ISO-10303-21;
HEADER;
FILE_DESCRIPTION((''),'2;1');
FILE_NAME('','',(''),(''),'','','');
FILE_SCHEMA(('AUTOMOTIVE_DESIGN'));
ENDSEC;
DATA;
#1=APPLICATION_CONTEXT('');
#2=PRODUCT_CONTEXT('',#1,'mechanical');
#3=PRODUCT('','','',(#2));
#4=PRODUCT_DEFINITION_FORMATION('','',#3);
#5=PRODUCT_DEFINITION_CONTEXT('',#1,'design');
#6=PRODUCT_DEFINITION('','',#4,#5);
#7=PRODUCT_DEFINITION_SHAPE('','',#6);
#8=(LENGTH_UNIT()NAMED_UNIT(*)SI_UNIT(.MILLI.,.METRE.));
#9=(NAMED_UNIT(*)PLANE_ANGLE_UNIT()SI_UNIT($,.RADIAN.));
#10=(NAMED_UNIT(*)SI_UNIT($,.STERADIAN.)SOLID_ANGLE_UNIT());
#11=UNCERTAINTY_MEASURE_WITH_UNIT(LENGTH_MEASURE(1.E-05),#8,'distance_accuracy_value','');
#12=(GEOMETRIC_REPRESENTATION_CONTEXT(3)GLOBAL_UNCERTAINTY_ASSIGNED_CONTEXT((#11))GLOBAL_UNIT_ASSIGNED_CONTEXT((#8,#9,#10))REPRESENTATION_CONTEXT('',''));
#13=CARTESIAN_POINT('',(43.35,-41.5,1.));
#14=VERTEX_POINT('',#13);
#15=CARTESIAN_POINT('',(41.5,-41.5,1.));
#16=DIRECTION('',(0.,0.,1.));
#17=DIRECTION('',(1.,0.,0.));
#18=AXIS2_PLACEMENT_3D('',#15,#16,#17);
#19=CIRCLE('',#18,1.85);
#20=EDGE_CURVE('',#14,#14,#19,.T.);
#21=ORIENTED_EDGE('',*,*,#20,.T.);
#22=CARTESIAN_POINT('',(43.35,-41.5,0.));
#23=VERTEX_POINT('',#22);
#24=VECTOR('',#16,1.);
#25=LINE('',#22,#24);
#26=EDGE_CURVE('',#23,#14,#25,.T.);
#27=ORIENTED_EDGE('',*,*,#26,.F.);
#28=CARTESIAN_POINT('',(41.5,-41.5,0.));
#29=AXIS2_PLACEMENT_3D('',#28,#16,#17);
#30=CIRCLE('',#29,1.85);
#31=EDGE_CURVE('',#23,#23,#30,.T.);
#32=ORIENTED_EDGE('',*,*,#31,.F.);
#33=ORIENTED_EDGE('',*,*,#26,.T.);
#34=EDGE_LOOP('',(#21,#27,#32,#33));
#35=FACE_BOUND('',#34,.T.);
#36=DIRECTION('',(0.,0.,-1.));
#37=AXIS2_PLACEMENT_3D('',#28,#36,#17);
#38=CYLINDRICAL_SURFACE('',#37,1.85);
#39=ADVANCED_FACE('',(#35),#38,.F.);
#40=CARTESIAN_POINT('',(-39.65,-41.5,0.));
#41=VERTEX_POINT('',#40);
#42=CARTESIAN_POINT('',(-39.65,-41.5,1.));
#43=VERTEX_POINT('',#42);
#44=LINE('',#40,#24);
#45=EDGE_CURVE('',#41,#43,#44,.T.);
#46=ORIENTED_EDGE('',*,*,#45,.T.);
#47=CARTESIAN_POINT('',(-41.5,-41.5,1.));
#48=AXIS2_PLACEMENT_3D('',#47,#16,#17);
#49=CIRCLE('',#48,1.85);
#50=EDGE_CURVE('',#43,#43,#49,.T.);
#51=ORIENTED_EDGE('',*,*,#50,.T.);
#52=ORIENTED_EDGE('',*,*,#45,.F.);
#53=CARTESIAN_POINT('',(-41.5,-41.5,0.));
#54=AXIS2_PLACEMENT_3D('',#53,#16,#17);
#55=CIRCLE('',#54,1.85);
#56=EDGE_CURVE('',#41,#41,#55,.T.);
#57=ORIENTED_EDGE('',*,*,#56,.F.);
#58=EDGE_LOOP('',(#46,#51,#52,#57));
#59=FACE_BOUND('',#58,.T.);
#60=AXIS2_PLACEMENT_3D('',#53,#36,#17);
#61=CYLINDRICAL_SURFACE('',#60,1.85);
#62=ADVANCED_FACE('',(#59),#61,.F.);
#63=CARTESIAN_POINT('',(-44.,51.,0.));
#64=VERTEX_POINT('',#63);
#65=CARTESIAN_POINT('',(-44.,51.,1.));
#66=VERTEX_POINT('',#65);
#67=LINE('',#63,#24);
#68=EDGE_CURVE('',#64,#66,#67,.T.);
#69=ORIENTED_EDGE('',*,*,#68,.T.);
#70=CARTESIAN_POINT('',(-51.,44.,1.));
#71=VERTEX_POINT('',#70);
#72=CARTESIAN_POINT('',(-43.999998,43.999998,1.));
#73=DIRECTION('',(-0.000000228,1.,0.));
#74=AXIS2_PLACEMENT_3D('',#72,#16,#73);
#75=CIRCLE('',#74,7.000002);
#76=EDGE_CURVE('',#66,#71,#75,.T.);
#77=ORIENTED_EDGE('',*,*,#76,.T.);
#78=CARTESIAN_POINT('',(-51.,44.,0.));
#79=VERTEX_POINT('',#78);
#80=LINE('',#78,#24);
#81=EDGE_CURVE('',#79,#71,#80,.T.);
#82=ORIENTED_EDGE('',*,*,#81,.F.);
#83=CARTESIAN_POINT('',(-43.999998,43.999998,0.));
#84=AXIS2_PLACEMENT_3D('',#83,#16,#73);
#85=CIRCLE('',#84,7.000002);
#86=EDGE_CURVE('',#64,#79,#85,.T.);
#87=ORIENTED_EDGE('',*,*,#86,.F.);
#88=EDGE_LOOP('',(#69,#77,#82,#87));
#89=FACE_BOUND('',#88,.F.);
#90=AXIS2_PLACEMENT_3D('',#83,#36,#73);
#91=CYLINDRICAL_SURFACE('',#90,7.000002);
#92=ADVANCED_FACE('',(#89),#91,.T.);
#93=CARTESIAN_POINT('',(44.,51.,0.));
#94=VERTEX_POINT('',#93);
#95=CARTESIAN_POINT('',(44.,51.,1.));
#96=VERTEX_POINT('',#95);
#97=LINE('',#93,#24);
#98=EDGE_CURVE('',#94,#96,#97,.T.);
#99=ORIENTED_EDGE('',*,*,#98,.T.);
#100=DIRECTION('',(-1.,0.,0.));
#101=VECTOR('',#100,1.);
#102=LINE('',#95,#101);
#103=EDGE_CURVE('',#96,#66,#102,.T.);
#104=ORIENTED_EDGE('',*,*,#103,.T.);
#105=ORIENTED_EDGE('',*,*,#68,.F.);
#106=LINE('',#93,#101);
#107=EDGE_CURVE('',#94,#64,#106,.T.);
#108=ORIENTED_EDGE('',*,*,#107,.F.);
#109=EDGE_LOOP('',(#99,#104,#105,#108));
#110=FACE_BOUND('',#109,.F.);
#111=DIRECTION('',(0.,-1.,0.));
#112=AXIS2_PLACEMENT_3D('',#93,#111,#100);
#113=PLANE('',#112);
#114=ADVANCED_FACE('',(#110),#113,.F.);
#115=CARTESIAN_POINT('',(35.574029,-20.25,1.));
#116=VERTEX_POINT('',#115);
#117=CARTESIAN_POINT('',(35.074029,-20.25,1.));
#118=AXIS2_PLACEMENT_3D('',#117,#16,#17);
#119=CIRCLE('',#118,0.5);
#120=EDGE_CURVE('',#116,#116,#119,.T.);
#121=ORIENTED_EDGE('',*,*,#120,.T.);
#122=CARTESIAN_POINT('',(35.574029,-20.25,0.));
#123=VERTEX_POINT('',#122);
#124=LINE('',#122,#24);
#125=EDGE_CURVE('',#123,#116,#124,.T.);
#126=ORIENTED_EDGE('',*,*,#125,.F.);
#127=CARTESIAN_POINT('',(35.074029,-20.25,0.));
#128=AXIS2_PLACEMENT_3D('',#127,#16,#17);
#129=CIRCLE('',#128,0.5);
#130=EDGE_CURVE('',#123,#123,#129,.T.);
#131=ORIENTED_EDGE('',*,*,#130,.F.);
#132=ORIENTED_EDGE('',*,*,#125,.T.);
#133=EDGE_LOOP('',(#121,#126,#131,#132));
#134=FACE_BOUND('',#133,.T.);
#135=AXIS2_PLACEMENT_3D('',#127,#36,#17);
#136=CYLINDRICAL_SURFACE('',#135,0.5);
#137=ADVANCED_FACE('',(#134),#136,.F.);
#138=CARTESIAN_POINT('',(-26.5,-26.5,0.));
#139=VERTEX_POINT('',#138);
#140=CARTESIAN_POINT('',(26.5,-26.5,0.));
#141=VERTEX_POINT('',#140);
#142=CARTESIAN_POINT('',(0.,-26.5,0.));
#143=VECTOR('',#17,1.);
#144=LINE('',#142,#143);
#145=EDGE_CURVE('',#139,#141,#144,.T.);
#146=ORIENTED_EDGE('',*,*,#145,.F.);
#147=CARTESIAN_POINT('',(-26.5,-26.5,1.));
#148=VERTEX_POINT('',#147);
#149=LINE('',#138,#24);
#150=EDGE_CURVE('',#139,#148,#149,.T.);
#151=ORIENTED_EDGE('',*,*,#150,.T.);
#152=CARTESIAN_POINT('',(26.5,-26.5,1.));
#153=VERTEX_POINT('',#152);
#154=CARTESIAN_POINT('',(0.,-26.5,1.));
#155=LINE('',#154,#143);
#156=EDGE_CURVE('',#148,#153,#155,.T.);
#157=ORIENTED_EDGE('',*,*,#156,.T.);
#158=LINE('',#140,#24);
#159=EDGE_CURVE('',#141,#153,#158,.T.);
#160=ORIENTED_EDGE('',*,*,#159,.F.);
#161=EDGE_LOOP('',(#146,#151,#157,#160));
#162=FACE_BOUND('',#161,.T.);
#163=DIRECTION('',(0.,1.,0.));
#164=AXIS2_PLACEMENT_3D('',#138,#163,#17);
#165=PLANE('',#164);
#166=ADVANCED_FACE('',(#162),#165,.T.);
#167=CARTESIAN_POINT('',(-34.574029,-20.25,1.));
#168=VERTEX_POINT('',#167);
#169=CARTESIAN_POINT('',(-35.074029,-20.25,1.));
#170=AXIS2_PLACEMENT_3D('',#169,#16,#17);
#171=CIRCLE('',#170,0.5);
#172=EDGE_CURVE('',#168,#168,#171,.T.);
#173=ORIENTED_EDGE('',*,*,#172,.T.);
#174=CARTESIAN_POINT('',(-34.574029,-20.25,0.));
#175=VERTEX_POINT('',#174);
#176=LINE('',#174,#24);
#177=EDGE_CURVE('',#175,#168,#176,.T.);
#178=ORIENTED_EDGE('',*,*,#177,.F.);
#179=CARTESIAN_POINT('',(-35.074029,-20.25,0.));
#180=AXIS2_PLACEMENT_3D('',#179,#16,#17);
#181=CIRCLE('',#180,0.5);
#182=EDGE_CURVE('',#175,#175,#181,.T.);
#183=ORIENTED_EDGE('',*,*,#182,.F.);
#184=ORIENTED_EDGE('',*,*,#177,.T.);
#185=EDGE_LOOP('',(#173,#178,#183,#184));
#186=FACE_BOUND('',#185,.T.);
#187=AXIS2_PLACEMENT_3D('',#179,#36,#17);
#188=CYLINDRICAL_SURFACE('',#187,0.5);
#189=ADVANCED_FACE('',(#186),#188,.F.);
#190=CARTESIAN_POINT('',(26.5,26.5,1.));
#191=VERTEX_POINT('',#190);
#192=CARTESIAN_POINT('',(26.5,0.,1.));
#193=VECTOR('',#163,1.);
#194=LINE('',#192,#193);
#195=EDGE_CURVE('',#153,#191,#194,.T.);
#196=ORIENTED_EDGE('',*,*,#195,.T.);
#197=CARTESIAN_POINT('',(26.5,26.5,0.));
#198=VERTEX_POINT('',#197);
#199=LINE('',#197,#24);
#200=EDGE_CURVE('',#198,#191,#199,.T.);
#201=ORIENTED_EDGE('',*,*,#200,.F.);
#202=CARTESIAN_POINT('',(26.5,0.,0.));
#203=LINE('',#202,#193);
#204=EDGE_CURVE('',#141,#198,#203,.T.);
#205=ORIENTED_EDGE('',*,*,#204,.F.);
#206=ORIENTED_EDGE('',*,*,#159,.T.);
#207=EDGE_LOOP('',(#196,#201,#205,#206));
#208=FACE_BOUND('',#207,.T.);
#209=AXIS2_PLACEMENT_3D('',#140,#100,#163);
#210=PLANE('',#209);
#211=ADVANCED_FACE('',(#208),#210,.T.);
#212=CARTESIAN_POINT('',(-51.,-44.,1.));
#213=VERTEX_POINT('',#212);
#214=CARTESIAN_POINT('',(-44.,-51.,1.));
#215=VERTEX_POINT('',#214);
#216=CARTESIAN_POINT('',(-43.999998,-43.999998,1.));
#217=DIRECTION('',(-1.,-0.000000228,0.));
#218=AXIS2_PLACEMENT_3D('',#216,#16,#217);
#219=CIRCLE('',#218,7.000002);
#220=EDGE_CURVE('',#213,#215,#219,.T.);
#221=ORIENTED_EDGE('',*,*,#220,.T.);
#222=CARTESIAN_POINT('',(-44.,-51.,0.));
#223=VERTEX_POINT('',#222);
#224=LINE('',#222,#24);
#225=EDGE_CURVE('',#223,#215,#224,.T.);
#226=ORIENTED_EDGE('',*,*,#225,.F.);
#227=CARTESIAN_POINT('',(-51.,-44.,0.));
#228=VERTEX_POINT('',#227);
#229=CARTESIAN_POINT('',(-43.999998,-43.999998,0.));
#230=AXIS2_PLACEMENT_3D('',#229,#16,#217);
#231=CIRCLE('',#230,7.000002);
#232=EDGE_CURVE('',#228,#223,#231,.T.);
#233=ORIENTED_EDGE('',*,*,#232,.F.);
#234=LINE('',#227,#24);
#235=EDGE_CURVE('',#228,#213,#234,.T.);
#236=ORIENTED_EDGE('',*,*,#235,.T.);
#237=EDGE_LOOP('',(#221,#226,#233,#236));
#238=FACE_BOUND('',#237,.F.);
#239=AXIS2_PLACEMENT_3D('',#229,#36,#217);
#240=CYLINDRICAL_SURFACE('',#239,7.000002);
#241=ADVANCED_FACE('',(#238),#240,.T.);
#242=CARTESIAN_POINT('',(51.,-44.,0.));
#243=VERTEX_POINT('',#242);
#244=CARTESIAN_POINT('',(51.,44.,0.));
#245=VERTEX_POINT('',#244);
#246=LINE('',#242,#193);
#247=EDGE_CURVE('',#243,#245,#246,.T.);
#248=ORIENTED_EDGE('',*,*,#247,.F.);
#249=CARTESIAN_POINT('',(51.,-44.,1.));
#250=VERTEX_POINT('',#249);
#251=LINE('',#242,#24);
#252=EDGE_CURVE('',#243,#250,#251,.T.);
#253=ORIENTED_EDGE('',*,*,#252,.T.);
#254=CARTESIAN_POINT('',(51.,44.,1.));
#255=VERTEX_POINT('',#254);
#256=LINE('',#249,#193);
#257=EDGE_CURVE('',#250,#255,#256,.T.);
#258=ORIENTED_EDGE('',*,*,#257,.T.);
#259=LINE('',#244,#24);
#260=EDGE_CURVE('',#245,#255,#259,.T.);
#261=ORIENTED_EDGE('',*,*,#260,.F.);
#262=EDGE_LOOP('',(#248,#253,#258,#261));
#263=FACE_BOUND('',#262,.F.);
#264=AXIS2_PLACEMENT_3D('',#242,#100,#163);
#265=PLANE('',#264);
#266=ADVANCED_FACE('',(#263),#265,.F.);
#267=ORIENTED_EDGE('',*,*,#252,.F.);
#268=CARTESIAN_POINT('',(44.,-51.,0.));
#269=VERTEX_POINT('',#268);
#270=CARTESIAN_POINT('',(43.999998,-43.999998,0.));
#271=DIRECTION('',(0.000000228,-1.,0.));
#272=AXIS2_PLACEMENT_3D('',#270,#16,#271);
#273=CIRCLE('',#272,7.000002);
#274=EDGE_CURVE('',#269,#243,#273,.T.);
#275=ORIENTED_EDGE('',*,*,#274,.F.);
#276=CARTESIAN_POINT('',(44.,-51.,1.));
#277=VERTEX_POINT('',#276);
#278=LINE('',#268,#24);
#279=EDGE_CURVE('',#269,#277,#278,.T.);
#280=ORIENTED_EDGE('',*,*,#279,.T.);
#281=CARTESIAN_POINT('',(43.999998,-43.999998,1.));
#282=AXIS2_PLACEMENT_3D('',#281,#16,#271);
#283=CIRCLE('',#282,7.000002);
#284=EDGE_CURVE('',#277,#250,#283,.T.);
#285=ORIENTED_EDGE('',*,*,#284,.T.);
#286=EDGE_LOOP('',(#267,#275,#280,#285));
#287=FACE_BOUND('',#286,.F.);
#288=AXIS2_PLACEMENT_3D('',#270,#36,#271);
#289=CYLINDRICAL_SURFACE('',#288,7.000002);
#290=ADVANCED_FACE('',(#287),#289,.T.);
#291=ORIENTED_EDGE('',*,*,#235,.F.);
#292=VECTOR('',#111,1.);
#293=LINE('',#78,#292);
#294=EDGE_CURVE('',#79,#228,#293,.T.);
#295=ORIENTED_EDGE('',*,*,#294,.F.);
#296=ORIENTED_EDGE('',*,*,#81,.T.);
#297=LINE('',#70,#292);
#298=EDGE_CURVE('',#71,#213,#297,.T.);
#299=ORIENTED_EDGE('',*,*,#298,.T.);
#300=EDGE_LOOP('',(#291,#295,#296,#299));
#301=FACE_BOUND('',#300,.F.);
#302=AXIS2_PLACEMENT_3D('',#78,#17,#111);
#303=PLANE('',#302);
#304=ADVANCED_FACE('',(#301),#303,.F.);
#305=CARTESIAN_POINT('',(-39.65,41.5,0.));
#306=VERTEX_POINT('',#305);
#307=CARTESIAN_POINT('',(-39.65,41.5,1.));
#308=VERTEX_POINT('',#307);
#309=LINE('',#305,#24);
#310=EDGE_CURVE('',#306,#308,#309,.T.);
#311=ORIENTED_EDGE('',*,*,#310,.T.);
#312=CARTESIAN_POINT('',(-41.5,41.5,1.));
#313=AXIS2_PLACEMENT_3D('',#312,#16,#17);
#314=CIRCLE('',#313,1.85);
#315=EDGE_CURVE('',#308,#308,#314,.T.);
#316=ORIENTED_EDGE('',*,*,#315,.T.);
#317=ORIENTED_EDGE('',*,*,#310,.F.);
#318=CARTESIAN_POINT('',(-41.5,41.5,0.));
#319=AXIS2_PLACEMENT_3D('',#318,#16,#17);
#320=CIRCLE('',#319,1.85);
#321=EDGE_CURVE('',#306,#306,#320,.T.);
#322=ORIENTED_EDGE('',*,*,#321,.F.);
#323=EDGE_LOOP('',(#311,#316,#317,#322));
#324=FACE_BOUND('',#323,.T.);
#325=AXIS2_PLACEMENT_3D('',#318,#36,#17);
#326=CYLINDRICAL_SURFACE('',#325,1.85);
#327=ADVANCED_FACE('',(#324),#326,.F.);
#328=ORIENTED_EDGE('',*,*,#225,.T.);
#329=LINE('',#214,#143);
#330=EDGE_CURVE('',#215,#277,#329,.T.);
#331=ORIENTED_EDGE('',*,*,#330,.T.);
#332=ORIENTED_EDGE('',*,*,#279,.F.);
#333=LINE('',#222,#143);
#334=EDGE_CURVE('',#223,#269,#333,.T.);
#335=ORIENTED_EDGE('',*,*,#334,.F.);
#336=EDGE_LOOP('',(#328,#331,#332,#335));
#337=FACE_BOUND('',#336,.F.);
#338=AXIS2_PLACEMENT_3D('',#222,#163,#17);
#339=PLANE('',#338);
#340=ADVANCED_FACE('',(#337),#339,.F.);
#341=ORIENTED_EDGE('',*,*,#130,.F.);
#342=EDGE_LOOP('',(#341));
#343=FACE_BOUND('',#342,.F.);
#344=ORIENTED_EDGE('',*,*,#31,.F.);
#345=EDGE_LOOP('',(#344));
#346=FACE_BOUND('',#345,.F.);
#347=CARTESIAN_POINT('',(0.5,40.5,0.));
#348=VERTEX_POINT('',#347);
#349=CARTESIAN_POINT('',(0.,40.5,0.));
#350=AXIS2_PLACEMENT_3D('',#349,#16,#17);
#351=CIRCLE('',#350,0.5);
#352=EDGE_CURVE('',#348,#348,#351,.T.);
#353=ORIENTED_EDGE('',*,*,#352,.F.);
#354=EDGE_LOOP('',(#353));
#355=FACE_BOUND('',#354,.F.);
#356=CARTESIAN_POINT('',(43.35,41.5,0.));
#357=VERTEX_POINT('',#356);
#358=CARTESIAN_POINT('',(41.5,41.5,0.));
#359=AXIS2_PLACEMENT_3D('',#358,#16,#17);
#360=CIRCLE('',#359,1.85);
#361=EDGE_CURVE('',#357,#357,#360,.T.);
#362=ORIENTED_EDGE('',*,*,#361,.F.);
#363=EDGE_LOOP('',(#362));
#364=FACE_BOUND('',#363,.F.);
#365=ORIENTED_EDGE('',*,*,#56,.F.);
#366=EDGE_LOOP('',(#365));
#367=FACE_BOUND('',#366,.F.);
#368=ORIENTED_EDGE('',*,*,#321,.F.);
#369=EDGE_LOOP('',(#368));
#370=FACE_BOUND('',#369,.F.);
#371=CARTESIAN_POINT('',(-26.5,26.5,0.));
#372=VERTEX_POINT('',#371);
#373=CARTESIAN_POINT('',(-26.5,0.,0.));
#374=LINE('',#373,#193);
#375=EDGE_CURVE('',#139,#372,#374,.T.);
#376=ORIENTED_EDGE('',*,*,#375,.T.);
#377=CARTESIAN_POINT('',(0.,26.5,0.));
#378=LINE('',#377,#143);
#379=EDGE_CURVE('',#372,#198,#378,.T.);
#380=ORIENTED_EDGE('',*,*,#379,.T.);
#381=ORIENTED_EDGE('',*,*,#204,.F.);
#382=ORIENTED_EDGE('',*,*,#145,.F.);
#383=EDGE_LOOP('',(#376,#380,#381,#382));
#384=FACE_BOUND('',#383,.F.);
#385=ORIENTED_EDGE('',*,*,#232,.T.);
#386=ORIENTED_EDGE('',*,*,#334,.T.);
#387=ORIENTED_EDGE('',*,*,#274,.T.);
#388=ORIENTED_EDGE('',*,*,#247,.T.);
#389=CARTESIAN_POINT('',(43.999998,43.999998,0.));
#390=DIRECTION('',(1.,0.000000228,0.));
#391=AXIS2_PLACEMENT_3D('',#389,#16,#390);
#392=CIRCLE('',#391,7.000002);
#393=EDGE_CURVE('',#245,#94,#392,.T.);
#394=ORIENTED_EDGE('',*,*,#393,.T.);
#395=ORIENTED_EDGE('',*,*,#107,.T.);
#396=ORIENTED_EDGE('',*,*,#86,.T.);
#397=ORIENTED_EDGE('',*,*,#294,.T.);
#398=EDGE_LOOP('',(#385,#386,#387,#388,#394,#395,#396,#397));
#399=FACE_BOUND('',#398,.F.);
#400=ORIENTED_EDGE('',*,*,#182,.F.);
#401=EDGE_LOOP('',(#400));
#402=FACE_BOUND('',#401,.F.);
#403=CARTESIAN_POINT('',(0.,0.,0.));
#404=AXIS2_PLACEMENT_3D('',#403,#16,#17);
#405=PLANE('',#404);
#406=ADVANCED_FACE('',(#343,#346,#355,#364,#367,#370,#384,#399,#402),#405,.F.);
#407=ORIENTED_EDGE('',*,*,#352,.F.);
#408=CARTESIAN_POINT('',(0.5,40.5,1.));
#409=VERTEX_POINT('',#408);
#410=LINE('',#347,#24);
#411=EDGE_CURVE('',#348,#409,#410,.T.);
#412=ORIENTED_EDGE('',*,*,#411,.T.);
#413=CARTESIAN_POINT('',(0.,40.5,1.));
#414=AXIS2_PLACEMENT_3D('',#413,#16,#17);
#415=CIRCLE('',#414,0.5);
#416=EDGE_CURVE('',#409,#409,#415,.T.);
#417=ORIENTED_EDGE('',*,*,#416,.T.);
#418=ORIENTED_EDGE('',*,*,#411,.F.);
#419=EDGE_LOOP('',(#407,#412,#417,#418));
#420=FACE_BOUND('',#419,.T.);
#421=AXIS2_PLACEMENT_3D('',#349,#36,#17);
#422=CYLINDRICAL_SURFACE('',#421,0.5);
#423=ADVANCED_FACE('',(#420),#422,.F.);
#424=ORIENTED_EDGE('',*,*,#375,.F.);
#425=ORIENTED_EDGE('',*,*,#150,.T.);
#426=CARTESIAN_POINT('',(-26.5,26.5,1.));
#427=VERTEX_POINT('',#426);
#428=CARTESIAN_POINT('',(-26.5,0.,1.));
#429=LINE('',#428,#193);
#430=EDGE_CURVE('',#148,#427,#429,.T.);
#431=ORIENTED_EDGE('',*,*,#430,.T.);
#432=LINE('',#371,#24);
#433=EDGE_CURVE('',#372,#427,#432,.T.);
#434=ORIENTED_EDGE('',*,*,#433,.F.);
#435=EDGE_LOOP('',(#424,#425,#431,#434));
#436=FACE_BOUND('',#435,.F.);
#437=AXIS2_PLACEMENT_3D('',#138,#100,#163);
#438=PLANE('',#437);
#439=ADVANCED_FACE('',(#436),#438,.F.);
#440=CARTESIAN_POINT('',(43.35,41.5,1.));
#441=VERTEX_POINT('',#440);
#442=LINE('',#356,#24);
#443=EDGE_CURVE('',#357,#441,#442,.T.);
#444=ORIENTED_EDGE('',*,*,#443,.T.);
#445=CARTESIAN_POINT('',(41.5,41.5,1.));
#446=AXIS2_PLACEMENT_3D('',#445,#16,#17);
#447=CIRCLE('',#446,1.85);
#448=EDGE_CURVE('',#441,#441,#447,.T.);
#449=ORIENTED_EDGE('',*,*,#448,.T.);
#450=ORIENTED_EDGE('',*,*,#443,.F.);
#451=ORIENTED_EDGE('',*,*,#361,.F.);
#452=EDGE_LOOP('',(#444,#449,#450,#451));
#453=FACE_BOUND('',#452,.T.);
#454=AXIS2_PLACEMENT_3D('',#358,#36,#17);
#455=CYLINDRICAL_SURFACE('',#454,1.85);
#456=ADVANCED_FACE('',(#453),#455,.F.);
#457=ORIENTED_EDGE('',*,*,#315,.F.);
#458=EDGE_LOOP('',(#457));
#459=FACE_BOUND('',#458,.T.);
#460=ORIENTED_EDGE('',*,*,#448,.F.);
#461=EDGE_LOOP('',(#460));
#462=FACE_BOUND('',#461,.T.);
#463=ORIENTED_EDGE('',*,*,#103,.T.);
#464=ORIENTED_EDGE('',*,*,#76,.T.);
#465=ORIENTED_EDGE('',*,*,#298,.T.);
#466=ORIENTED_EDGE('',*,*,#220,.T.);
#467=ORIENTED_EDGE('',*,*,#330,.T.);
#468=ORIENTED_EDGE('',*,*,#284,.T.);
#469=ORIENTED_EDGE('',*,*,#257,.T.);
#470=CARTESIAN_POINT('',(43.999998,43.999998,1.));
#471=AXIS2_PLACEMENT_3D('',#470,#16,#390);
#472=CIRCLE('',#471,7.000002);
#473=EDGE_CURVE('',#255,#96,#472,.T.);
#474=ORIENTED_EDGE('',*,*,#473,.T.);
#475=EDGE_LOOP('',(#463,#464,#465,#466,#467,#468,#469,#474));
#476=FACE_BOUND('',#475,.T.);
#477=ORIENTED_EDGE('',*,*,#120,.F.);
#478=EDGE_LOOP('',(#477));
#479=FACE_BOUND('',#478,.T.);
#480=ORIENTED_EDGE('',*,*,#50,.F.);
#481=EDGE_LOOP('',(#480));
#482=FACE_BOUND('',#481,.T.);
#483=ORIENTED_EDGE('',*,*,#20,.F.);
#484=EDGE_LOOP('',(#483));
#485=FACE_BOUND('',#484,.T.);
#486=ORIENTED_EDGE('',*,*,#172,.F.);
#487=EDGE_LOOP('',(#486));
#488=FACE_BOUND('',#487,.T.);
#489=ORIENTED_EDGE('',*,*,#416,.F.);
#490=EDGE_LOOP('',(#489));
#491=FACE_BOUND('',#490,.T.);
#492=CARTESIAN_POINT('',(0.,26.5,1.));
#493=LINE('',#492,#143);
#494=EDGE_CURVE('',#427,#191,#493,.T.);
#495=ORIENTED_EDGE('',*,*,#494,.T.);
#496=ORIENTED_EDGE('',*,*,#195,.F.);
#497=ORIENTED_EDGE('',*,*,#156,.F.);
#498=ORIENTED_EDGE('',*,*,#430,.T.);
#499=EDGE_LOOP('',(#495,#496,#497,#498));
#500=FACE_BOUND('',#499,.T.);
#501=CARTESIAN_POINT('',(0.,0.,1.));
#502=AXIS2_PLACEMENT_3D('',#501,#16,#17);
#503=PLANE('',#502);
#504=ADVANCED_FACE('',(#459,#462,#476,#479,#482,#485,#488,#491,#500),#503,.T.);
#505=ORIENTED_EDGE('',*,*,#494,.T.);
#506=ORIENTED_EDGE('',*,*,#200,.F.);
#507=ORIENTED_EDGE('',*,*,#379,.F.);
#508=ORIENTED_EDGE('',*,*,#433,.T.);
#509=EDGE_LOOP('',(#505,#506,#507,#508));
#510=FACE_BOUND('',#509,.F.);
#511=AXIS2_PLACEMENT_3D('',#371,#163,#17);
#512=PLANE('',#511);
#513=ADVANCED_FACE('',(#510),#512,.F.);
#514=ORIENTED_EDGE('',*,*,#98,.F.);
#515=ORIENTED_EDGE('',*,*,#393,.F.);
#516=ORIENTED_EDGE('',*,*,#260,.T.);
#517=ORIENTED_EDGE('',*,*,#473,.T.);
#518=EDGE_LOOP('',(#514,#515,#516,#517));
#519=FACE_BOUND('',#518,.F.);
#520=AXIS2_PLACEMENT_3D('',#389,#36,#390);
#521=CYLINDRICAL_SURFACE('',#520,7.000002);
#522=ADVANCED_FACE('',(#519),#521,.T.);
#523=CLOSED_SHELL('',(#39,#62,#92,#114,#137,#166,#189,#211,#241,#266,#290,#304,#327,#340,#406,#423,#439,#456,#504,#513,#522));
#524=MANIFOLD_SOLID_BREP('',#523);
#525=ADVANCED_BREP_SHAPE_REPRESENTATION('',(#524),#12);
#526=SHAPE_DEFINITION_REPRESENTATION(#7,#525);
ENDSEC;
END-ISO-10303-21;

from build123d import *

# Parameters (mm, degrees)
F0_R     = 1.85
F0_R_2   = 0.5
F0_W     = 53
F0_H     = 53
F1_DEPTH = 1


with BuildPart() as f1:
    # F0 (on Top) → F1 (new body)
    with BuildSketch(Plane.XY):
        with BuildLine():
            Line((-44, -51), (44, -51))
            ThreePointArc((44, -51), (48.949747, -48.949747), (51, -44))
            Line((51, -44), (51, 44))
            ThreePointArc((51, 44), (48.949747, 48.949747), (44, 51))
            Line((44, 51), (-44, 51))
            ThreePointArc((-44, 51), (-48.949747, 48.949747), (-51, 44))
            Line((-51, 44), (-51, -44))
            ThreePointArc((-51, -44), (-48.949747, -48.949747), (-44, -51))
        make_face()
        with Locations((-41.5, -41.5)):
            Circle(F0_R, mode=Mode.SUBTRACT)
        with Locations((-35.074029, -20.25)):
            Circle(F0_R_2, mode=Mode.SUBTRACT)
        with Locations((41.5, -41.5)):
            Circle(F0_R, mode=Mode.SUBTRACT)
        with Locations((35.074029, -20.25)):
            Circle(F0_R_2, mode=Mode.SUBTRACT)
        with Locations((-41.5, 41.5)):
            Circle(F0_R, mode=Mode.SUBTRACT)
        Rectangle(F0_W, F0_H, mode=Mode.SUBTRACT)
        with Locations((0, 40.5)):
            Circle(F0_R_2, mode=Mode.SUBTRACT)
        with Locations((41.5, 41.5)):
            Circle(F0_R, mode=Mode.SUBTRACT)
    extrude(amount=F1_DEPTH)


solid = f1.part
